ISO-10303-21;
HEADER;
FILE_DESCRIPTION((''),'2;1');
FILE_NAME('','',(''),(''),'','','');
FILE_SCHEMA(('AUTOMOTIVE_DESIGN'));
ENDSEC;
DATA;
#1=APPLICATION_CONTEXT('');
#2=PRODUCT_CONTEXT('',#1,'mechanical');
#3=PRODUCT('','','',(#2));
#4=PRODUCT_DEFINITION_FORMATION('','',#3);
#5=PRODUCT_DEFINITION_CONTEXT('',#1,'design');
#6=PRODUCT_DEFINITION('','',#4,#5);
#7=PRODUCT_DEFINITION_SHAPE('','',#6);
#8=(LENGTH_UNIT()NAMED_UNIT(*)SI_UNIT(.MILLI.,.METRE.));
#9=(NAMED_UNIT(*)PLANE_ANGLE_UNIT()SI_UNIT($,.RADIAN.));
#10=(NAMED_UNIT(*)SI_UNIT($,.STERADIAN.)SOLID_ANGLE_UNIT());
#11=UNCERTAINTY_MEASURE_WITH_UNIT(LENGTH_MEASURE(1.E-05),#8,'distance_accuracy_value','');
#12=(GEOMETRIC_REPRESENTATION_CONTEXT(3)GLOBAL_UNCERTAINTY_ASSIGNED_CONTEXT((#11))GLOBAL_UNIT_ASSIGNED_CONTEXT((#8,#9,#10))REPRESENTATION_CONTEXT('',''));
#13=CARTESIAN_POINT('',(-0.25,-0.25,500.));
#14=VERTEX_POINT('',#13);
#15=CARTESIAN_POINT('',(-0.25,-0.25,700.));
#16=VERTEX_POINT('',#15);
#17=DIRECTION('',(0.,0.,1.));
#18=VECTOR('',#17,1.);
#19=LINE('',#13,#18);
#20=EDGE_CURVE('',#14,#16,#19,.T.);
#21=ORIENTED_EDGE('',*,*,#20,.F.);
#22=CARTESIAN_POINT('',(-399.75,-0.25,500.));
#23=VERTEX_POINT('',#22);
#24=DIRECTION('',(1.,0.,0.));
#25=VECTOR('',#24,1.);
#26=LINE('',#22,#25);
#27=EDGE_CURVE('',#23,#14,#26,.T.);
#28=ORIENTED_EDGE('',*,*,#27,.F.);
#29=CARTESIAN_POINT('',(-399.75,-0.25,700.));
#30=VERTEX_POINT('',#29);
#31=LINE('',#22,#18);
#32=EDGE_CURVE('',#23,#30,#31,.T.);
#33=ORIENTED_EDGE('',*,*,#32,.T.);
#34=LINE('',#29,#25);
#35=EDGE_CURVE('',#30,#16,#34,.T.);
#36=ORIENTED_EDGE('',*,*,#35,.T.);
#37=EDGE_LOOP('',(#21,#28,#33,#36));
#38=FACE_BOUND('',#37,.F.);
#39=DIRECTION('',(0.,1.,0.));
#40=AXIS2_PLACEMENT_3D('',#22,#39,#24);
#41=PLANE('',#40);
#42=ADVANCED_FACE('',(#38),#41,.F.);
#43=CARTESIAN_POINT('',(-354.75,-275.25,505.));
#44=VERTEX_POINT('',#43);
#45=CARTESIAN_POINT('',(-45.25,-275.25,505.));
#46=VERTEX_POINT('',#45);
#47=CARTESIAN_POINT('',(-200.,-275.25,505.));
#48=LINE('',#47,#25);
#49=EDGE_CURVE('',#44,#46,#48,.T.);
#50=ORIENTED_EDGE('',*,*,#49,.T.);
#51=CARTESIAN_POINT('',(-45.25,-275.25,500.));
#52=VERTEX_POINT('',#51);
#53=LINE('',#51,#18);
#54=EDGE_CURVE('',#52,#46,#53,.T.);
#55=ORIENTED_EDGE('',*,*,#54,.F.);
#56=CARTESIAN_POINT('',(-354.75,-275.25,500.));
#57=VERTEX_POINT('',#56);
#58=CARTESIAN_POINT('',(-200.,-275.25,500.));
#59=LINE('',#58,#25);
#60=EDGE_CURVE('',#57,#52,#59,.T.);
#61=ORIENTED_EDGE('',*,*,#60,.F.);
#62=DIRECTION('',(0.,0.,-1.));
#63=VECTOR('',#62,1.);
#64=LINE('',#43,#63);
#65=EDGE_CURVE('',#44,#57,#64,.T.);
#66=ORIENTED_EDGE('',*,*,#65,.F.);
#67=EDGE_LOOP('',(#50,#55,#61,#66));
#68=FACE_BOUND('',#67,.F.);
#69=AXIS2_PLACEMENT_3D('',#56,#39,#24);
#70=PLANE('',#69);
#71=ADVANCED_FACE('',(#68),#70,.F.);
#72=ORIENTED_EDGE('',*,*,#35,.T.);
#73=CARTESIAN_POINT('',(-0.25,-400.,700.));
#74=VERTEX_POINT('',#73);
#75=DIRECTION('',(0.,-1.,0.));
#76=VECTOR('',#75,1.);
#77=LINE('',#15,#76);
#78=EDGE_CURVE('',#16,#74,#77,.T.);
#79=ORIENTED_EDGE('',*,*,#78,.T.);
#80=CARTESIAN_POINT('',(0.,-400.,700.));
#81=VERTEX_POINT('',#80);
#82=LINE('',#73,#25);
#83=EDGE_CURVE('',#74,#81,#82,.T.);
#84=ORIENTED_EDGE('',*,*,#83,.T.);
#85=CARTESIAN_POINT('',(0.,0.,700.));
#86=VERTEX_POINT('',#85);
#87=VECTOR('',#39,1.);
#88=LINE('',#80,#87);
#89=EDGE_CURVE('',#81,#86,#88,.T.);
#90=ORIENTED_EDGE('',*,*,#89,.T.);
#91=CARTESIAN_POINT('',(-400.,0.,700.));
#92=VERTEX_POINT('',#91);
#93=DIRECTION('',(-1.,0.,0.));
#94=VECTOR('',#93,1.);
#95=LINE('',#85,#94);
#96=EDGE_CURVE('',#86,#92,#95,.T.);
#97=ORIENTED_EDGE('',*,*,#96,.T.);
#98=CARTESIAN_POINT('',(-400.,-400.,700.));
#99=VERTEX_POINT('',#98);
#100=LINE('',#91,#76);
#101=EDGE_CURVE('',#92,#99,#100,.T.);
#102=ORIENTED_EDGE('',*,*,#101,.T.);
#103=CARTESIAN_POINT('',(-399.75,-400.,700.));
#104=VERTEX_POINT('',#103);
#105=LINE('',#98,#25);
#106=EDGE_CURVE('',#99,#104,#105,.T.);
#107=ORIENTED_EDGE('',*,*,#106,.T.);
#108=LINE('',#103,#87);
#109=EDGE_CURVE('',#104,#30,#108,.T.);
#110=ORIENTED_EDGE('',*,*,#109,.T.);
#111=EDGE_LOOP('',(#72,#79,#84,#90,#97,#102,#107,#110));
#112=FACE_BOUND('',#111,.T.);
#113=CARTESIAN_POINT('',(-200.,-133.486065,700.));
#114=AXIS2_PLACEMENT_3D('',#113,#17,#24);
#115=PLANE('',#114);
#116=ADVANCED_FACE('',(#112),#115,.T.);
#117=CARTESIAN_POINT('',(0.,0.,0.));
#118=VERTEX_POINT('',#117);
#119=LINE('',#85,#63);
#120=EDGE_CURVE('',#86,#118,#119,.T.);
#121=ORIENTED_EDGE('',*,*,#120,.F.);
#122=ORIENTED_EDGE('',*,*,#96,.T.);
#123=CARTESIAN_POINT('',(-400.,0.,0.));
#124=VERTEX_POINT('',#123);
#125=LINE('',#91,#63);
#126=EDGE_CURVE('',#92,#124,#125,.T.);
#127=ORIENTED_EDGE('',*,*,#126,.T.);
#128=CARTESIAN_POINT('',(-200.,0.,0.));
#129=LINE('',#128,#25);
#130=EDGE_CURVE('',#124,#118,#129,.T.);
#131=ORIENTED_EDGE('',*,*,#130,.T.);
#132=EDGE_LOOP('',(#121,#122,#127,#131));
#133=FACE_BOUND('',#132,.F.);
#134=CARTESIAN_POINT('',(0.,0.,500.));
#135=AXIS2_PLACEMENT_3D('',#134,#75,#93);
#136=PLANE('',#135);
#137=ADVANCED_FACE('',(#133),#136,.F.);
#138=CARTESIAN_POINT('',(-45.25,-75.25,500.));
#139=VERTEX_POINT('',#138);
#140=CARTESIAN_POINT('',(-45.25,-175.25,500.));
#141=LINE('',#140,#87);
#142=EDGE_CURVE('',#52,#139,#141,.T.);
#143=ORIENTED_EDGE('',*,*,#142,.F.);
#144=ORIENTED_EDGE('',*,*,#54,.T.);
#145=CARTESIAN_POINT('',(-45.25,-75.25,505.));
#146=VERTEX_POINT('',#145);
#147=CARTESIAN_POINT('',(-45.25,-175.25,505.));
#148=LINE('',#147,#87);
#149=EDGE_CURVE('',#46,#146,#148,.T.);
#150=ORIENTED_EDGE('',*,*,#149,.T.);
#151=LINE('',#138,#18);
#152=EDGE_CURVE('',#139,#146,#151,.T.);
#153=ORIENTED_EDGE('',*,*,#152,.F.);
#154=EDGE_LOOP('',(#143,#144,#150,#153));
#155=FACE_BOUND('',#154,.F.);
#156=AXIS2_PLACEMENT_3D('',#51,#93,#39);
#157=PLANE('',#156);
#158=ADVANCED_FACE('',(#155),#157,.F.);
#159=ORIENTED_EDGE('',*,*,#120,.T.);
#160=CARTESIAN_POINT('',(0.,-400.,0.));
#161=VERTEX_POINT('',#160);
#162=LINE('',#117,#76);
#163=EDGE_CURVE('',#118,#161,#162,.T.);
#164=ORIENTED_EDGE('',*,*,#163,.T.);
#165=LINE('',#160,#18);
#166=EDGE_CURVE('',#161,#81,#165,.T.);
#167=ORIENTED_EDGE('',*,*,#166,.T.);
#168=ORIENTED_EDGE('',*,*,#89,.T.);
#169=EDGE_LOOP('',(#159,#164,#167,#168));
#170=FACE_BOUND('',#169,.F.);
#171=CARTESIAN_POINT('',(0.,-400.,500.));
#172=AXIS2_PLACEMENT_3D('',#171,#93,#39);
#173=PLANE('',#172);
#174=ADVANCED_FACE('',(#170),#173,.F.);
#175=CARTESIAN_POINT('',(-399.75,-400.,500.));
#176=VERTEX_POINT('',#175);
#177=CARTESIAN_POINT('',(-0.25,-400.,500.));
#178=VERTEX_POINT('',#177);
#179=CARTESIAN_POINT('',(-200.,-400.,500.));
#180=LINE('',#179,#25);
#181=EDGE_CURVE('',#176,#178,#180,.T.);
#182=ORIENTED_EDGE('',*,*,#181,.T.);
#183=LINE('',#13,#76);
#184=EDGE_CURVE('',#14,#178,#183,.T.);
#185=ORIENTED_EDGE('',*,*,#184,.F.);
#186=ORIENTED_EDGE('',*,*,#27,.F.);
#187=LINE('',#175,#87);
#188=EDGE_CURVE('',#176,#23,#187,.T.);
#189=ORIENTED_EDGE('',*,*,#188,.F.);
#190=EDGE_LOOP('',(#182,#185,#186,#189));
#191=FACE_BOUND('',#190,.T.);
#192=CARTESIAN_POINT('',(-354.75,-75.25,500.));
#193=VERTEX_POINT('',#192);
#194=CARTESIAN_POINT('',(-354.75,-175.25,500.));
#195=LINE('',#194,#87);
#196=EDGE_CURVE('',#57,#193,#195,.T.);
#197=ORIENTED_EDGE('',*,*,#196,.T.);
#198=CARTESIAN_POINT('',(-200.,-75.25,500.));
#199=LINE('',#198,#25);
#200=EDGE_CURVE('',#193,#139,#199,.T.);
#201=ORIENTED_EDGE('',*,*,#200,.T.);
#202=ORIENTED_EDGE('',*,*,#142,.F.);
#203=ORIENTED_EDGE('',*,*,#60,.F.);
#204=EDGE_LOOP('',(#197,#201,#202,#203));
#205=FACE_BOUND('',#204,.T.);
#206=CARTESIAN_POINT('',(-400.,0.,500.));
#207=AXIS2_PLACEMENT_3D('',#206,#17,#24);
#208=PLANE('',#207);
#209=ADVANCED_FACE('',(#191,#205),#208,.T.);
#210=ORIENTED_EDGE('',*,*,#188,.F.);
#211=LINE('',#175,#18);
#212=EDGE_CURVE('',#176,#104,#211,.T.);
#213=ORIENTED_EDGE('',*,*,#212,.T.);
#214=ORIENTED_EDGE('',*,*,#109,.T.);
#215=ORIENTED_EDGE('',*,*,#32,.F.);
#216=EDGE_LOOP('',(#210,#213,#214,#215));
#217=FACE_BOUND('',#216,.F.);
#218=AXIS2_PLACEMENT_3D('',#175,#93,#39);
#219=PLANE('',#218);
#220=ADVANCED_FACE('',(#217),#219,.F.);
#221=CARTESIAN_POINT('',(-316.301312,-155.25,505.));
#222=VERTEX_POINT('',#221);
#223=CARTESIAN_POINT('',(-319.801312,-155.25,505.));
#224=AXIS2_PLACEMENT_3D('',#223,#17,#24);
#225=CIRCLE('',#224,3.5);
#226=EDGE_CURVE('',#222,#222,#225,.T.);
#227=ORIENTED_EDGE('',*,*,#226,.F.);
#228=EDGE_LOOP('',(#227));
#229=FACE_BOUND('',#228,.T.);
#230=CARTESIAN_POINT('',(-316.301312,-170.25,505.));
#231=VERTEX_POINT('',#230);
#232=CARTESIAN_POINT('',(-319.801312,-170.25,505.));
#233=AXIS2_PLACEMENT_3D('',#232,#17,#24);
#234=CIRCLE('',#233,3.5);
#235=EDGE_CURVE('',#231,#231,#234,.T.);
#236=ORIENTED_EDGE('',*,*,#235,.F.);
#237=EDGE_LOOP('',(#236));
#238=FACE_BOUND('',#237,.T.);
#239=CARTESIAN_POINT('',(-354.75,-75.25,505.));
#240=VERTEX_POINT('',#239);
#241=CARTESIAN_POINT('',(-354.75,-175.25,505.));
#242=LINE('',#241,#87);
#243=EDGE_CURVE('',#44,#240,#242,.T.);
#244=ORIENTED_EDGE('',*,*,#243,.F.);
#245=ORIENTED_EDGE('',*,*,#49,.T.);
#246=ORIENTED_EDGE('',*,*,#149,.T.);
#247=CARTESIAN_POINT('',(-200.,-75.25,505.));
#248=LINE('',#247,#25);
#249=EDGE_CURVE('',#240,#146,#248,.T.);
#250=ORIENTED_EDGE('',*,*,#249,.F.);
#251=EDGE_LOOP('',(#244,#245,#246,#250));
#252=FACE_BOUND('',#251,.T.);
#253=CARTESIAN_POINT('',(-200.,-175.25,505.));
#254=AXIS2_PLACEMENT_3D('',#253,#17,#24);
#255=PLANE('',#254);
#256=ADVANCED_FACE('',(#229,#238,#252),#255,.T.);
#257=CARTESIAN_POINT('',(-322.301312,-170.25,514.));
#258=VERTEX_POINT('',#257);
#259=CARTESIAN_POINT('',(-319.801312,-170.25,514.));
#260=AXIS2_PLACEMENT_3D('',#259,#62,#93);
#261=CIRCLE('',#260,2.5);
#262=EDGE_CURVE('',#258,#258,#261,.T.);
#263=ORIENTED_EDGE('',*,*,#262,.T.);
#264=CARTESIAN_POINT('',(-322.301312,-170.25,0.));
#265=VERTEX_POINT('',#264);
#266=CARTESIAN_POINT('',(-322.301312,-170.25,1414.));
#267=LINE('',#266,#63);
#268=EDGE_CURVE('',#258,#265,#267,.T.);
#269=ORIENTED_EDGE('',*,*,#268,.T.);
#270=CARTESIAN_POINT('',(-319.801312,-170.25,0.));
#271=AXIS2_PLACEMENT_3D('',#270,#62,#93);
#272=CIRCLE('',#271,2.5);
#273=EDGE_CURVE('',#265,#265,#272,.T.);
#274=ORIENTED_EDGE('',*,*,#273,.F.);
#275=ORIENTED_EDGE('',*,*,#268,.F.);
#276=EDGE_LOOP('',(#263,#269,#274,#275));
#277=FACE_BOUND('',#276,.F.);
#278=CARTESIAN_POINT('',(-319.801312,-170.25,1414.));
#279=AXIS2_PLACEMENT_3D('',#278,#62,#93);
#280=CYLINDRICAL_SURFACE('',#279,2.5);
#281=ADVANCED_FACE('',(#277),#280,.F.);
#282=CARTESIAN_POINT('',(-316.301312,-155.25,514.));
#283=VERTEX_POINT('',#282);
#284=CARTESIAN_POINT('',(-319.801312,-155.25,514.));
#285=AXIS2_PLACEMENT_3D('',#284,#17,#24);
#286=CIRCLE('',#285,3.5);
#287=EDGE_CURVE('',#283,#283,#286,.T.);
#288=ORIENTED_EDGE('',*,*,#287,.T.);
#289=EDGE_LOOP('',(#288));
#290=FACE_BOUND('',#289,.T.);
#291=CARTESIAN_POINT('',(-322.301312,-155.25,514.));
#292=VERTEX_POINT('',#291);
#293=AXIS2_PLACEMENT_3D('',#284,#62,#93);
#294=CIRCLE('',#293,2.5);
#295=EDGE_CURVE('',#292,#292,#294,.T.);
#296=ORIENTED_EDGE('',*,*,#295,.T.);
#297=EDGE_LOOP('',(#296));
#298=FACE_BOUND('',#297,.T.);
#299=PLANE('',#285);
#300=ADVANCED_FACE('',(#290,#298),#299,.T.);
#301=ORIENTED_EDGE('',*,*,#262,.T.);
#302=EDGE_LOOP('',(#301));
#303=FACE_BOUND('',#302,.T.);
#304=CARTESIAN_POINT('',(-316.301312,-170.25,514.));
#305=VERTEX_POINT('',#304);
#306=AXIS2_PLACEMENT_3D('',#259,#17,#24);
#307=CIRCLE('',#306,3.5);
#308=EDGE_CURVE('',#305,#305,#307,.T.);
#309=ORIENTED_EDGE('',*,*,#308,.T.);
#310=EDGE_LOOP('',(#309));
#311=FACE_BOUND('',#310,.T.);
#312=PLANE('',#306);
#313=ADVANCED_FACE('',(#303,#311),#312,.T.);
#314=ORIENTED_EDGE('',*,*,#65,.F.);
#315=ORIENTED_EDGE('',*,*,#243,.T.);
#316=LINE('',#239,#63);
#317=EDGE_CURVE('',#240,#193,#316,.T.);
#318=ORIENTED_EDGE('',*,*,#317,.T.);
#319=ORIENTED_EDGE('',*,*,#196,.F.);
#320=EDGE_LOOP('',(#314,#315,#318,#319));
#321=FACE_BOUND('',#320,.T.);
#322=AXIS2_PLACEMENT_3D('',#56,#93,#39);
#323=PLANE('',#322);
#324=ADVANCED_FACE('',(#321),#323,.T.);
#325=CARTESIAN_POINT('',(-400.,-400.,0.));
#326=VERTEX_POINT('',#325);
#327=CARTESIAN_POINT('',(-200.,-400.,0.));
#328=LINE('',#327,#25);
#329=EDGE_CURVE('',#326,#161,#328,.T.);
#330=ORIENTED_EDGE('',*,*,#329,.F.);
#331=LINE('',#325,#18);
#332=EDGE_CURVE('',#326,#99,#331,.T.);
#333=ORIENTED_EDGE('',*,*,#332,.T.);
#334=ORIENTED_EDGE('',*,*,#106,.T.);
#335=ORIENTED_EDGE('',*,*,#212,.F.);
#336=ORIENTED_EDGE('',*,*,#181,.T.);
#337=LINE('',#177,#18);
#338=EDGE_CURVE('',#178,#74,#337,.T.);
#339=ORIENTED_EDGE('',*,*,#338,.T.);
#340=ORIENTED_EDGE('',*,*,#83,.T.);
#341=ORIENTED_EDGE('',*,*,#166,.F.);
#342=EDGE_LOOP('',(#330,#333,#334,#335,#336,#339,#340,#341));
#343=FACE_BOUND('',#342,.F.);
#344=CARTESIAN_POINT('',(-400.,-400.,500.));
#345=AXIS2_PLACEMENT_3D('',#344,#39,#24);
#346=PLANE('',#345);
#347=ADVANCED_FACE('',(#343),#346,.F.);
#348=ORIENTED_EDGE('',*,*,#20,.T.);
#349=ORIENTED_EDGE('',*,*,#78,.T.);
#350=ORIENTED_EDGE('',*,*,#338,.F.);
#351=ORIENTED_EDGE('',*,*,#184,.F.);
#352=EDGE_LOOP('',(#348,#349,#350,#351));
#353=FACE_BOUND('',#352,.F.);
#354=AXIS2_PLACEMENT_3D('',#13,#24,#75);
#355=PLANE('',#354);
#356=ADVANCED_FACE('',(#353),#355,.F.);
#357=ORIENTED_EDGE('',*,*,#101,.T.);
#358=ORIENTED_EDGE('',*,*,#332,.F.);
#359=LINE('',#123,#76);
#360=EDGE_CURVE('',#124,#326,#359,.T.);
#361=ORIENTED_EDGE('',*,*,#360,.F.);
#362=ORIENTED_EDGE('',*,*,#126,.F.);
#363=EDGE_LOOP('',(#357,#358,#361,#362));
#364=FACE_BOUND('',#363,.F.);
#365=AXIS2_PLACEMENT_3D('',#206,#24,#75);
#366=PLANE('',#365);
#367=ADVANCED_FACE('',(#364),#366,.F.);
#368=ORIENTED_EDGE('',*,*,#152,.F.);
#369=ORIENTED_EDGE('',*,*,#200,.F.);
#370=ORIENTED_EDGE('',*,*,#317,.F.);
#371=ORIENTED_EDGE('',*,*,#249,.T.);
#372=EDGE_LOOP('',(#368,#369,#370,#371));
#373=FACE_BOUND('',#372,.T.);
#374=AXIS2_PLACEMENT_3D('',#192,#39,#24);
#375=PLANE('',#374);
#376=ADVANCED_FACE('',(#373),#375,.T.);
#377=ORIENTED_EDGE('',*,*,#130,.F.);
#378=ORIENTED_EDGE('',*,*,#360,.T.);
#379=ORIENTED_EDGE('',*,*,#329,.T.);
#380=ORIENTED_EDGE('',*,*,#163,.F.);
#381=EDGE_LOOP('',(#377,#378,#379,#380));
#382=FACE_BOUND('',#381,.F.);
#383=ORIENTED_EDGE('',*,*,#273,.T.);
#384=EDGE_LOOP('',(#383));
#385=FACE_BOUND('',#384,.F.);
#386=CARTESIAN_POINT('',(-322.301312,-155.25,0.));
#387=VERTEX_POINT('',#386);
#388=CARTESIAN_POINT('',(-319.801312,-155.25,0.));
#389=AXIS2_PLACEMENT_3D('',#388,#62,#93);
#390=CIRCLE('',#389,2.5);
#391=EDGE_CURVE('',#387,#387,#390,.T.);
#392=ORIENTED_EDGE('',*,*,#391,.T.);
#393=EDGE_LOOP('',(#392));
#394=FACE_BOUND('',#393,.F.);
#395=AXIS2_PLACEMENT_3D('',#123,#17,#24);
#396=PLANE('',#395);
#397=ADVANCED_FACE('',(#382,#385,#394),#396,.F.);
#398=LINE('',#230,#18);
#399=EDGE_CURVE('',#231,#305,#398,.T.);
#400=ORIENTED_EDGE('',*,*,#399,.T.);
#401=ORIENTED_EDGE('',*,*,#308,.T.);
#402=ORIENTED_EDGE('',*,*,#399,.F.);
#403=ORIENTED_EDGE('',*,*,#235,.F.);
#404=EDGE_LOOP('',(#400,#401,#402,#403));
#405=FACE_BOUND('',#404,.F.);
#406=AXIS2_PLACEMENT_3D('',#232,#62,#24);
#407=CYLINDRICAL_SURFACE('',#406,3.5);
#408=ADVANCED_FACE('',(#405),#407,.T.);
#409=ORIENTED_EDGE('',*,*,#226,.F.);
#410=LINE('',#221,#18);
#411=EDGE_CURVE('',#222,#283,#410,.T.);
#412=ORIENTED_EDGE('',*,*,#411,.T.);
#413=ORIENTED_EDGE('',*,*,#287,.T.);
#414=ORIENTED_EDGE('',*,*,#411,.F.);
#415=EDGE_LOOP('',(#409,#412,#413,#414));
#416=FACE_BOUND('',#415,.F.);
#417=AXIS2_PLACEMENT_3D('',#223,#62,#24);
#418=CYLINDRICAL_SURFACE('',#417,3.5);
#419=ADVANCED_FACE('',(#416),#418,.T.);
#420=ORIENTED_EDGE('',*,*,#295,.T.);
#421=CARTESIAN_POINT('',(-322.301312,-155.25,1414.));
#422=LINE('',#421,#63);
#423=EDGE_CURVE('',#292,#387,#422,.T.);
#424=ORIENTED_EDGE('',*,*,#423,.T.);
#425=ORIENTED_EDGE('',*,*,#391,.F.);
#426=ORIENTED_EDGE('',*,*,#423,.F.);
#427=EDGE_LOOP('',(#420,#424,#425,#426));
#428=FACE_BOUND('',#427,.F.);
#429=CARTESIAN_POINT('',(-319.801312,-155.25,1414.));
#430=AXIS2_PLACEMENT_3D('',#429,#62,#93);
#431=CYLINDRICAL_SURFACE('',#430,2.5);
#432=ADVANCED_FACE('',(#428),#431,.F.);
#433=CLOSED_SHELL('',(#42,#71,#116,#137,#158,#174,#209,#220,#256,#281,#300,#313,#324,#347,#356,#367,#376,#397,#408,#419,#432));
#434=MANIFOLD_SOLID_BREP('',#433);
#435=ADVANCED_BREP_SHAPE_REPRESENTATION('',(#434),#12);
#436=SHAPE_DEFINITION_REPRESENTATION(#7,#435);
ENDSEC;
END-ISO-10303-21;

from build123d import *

# Parameters (mm, degrees)
F0_W     = 400
F0_H     = 500
F1_DEPTH = 400
F3_DEPTH = 200
F4_W     = 309.5
F4_H     = 200
F5_DEPTH = 1
F6_DEPTH = 5
F8_R     = 3.5
F9_DEPTH = 9
F11_D    = 5
F13_D    = 5


with BuildPart() as f1:
    # F0 (on Front) → F1 (new body)
    with BuildSketch(Plane.XZ):
        with Locations((-200, 250)):
            Rectangle(F0_W, F0_H)
    extrude(amount=F1_DEPTH)

    # F2 (on face) → F3 (join)
    with BuildSketch(Plane.XY.offset(500)):
        Polygon((-399.75, 0), (-400, 0), (-400, -0.25), (-400, -400), (-399.75, -400), (-399.75, -0.25), (-0.25, -0.25), (-0.25, -400), (0, -400), (0, -0.25), (0, 0), (-0.25, 0), align=None)
    extrude(amount=F3_DEPTH)

    # F4 (on face) → F5 (join)
    with BuildSketch(Plane.XY.offset(500)):
        with Locations((-200, -175.25)):
            Rectangle(F4_W, F4_H)
    extrude(amount=F5_DEPTH)

    # F4 (on face) → F6 (join)
    with BuildSketch(Plane.XY.offset(500)):
        with Locations((-200, -175.25)):
            Rectangle(F4_W, F4_H)
    extrude(amount=F6_DEPTH)

    # F8 (on face) → F9 (join)
    with BuildSketch(Plane.XY.offset(505)):
        with Locations((-319.801312, -155.25)):
            Circle(F8_R)
        with Locations((-319.801312, -170.25)):
            Circle(F8_R)
    extrude(amount=F9_DEPTH)

    # F11 (through all)
    with Locations(Plane.XY.offset(514)):
        with Locations((-319.801312, -155.25)):
            Hole(F11_D / 2)

    # F13 (through all)
    with Locations(Plane.XY.offset(514)):
        with Locations((-319.801312, -170.25)):
            Hole(F13_D / 2)


solid = f1.part
